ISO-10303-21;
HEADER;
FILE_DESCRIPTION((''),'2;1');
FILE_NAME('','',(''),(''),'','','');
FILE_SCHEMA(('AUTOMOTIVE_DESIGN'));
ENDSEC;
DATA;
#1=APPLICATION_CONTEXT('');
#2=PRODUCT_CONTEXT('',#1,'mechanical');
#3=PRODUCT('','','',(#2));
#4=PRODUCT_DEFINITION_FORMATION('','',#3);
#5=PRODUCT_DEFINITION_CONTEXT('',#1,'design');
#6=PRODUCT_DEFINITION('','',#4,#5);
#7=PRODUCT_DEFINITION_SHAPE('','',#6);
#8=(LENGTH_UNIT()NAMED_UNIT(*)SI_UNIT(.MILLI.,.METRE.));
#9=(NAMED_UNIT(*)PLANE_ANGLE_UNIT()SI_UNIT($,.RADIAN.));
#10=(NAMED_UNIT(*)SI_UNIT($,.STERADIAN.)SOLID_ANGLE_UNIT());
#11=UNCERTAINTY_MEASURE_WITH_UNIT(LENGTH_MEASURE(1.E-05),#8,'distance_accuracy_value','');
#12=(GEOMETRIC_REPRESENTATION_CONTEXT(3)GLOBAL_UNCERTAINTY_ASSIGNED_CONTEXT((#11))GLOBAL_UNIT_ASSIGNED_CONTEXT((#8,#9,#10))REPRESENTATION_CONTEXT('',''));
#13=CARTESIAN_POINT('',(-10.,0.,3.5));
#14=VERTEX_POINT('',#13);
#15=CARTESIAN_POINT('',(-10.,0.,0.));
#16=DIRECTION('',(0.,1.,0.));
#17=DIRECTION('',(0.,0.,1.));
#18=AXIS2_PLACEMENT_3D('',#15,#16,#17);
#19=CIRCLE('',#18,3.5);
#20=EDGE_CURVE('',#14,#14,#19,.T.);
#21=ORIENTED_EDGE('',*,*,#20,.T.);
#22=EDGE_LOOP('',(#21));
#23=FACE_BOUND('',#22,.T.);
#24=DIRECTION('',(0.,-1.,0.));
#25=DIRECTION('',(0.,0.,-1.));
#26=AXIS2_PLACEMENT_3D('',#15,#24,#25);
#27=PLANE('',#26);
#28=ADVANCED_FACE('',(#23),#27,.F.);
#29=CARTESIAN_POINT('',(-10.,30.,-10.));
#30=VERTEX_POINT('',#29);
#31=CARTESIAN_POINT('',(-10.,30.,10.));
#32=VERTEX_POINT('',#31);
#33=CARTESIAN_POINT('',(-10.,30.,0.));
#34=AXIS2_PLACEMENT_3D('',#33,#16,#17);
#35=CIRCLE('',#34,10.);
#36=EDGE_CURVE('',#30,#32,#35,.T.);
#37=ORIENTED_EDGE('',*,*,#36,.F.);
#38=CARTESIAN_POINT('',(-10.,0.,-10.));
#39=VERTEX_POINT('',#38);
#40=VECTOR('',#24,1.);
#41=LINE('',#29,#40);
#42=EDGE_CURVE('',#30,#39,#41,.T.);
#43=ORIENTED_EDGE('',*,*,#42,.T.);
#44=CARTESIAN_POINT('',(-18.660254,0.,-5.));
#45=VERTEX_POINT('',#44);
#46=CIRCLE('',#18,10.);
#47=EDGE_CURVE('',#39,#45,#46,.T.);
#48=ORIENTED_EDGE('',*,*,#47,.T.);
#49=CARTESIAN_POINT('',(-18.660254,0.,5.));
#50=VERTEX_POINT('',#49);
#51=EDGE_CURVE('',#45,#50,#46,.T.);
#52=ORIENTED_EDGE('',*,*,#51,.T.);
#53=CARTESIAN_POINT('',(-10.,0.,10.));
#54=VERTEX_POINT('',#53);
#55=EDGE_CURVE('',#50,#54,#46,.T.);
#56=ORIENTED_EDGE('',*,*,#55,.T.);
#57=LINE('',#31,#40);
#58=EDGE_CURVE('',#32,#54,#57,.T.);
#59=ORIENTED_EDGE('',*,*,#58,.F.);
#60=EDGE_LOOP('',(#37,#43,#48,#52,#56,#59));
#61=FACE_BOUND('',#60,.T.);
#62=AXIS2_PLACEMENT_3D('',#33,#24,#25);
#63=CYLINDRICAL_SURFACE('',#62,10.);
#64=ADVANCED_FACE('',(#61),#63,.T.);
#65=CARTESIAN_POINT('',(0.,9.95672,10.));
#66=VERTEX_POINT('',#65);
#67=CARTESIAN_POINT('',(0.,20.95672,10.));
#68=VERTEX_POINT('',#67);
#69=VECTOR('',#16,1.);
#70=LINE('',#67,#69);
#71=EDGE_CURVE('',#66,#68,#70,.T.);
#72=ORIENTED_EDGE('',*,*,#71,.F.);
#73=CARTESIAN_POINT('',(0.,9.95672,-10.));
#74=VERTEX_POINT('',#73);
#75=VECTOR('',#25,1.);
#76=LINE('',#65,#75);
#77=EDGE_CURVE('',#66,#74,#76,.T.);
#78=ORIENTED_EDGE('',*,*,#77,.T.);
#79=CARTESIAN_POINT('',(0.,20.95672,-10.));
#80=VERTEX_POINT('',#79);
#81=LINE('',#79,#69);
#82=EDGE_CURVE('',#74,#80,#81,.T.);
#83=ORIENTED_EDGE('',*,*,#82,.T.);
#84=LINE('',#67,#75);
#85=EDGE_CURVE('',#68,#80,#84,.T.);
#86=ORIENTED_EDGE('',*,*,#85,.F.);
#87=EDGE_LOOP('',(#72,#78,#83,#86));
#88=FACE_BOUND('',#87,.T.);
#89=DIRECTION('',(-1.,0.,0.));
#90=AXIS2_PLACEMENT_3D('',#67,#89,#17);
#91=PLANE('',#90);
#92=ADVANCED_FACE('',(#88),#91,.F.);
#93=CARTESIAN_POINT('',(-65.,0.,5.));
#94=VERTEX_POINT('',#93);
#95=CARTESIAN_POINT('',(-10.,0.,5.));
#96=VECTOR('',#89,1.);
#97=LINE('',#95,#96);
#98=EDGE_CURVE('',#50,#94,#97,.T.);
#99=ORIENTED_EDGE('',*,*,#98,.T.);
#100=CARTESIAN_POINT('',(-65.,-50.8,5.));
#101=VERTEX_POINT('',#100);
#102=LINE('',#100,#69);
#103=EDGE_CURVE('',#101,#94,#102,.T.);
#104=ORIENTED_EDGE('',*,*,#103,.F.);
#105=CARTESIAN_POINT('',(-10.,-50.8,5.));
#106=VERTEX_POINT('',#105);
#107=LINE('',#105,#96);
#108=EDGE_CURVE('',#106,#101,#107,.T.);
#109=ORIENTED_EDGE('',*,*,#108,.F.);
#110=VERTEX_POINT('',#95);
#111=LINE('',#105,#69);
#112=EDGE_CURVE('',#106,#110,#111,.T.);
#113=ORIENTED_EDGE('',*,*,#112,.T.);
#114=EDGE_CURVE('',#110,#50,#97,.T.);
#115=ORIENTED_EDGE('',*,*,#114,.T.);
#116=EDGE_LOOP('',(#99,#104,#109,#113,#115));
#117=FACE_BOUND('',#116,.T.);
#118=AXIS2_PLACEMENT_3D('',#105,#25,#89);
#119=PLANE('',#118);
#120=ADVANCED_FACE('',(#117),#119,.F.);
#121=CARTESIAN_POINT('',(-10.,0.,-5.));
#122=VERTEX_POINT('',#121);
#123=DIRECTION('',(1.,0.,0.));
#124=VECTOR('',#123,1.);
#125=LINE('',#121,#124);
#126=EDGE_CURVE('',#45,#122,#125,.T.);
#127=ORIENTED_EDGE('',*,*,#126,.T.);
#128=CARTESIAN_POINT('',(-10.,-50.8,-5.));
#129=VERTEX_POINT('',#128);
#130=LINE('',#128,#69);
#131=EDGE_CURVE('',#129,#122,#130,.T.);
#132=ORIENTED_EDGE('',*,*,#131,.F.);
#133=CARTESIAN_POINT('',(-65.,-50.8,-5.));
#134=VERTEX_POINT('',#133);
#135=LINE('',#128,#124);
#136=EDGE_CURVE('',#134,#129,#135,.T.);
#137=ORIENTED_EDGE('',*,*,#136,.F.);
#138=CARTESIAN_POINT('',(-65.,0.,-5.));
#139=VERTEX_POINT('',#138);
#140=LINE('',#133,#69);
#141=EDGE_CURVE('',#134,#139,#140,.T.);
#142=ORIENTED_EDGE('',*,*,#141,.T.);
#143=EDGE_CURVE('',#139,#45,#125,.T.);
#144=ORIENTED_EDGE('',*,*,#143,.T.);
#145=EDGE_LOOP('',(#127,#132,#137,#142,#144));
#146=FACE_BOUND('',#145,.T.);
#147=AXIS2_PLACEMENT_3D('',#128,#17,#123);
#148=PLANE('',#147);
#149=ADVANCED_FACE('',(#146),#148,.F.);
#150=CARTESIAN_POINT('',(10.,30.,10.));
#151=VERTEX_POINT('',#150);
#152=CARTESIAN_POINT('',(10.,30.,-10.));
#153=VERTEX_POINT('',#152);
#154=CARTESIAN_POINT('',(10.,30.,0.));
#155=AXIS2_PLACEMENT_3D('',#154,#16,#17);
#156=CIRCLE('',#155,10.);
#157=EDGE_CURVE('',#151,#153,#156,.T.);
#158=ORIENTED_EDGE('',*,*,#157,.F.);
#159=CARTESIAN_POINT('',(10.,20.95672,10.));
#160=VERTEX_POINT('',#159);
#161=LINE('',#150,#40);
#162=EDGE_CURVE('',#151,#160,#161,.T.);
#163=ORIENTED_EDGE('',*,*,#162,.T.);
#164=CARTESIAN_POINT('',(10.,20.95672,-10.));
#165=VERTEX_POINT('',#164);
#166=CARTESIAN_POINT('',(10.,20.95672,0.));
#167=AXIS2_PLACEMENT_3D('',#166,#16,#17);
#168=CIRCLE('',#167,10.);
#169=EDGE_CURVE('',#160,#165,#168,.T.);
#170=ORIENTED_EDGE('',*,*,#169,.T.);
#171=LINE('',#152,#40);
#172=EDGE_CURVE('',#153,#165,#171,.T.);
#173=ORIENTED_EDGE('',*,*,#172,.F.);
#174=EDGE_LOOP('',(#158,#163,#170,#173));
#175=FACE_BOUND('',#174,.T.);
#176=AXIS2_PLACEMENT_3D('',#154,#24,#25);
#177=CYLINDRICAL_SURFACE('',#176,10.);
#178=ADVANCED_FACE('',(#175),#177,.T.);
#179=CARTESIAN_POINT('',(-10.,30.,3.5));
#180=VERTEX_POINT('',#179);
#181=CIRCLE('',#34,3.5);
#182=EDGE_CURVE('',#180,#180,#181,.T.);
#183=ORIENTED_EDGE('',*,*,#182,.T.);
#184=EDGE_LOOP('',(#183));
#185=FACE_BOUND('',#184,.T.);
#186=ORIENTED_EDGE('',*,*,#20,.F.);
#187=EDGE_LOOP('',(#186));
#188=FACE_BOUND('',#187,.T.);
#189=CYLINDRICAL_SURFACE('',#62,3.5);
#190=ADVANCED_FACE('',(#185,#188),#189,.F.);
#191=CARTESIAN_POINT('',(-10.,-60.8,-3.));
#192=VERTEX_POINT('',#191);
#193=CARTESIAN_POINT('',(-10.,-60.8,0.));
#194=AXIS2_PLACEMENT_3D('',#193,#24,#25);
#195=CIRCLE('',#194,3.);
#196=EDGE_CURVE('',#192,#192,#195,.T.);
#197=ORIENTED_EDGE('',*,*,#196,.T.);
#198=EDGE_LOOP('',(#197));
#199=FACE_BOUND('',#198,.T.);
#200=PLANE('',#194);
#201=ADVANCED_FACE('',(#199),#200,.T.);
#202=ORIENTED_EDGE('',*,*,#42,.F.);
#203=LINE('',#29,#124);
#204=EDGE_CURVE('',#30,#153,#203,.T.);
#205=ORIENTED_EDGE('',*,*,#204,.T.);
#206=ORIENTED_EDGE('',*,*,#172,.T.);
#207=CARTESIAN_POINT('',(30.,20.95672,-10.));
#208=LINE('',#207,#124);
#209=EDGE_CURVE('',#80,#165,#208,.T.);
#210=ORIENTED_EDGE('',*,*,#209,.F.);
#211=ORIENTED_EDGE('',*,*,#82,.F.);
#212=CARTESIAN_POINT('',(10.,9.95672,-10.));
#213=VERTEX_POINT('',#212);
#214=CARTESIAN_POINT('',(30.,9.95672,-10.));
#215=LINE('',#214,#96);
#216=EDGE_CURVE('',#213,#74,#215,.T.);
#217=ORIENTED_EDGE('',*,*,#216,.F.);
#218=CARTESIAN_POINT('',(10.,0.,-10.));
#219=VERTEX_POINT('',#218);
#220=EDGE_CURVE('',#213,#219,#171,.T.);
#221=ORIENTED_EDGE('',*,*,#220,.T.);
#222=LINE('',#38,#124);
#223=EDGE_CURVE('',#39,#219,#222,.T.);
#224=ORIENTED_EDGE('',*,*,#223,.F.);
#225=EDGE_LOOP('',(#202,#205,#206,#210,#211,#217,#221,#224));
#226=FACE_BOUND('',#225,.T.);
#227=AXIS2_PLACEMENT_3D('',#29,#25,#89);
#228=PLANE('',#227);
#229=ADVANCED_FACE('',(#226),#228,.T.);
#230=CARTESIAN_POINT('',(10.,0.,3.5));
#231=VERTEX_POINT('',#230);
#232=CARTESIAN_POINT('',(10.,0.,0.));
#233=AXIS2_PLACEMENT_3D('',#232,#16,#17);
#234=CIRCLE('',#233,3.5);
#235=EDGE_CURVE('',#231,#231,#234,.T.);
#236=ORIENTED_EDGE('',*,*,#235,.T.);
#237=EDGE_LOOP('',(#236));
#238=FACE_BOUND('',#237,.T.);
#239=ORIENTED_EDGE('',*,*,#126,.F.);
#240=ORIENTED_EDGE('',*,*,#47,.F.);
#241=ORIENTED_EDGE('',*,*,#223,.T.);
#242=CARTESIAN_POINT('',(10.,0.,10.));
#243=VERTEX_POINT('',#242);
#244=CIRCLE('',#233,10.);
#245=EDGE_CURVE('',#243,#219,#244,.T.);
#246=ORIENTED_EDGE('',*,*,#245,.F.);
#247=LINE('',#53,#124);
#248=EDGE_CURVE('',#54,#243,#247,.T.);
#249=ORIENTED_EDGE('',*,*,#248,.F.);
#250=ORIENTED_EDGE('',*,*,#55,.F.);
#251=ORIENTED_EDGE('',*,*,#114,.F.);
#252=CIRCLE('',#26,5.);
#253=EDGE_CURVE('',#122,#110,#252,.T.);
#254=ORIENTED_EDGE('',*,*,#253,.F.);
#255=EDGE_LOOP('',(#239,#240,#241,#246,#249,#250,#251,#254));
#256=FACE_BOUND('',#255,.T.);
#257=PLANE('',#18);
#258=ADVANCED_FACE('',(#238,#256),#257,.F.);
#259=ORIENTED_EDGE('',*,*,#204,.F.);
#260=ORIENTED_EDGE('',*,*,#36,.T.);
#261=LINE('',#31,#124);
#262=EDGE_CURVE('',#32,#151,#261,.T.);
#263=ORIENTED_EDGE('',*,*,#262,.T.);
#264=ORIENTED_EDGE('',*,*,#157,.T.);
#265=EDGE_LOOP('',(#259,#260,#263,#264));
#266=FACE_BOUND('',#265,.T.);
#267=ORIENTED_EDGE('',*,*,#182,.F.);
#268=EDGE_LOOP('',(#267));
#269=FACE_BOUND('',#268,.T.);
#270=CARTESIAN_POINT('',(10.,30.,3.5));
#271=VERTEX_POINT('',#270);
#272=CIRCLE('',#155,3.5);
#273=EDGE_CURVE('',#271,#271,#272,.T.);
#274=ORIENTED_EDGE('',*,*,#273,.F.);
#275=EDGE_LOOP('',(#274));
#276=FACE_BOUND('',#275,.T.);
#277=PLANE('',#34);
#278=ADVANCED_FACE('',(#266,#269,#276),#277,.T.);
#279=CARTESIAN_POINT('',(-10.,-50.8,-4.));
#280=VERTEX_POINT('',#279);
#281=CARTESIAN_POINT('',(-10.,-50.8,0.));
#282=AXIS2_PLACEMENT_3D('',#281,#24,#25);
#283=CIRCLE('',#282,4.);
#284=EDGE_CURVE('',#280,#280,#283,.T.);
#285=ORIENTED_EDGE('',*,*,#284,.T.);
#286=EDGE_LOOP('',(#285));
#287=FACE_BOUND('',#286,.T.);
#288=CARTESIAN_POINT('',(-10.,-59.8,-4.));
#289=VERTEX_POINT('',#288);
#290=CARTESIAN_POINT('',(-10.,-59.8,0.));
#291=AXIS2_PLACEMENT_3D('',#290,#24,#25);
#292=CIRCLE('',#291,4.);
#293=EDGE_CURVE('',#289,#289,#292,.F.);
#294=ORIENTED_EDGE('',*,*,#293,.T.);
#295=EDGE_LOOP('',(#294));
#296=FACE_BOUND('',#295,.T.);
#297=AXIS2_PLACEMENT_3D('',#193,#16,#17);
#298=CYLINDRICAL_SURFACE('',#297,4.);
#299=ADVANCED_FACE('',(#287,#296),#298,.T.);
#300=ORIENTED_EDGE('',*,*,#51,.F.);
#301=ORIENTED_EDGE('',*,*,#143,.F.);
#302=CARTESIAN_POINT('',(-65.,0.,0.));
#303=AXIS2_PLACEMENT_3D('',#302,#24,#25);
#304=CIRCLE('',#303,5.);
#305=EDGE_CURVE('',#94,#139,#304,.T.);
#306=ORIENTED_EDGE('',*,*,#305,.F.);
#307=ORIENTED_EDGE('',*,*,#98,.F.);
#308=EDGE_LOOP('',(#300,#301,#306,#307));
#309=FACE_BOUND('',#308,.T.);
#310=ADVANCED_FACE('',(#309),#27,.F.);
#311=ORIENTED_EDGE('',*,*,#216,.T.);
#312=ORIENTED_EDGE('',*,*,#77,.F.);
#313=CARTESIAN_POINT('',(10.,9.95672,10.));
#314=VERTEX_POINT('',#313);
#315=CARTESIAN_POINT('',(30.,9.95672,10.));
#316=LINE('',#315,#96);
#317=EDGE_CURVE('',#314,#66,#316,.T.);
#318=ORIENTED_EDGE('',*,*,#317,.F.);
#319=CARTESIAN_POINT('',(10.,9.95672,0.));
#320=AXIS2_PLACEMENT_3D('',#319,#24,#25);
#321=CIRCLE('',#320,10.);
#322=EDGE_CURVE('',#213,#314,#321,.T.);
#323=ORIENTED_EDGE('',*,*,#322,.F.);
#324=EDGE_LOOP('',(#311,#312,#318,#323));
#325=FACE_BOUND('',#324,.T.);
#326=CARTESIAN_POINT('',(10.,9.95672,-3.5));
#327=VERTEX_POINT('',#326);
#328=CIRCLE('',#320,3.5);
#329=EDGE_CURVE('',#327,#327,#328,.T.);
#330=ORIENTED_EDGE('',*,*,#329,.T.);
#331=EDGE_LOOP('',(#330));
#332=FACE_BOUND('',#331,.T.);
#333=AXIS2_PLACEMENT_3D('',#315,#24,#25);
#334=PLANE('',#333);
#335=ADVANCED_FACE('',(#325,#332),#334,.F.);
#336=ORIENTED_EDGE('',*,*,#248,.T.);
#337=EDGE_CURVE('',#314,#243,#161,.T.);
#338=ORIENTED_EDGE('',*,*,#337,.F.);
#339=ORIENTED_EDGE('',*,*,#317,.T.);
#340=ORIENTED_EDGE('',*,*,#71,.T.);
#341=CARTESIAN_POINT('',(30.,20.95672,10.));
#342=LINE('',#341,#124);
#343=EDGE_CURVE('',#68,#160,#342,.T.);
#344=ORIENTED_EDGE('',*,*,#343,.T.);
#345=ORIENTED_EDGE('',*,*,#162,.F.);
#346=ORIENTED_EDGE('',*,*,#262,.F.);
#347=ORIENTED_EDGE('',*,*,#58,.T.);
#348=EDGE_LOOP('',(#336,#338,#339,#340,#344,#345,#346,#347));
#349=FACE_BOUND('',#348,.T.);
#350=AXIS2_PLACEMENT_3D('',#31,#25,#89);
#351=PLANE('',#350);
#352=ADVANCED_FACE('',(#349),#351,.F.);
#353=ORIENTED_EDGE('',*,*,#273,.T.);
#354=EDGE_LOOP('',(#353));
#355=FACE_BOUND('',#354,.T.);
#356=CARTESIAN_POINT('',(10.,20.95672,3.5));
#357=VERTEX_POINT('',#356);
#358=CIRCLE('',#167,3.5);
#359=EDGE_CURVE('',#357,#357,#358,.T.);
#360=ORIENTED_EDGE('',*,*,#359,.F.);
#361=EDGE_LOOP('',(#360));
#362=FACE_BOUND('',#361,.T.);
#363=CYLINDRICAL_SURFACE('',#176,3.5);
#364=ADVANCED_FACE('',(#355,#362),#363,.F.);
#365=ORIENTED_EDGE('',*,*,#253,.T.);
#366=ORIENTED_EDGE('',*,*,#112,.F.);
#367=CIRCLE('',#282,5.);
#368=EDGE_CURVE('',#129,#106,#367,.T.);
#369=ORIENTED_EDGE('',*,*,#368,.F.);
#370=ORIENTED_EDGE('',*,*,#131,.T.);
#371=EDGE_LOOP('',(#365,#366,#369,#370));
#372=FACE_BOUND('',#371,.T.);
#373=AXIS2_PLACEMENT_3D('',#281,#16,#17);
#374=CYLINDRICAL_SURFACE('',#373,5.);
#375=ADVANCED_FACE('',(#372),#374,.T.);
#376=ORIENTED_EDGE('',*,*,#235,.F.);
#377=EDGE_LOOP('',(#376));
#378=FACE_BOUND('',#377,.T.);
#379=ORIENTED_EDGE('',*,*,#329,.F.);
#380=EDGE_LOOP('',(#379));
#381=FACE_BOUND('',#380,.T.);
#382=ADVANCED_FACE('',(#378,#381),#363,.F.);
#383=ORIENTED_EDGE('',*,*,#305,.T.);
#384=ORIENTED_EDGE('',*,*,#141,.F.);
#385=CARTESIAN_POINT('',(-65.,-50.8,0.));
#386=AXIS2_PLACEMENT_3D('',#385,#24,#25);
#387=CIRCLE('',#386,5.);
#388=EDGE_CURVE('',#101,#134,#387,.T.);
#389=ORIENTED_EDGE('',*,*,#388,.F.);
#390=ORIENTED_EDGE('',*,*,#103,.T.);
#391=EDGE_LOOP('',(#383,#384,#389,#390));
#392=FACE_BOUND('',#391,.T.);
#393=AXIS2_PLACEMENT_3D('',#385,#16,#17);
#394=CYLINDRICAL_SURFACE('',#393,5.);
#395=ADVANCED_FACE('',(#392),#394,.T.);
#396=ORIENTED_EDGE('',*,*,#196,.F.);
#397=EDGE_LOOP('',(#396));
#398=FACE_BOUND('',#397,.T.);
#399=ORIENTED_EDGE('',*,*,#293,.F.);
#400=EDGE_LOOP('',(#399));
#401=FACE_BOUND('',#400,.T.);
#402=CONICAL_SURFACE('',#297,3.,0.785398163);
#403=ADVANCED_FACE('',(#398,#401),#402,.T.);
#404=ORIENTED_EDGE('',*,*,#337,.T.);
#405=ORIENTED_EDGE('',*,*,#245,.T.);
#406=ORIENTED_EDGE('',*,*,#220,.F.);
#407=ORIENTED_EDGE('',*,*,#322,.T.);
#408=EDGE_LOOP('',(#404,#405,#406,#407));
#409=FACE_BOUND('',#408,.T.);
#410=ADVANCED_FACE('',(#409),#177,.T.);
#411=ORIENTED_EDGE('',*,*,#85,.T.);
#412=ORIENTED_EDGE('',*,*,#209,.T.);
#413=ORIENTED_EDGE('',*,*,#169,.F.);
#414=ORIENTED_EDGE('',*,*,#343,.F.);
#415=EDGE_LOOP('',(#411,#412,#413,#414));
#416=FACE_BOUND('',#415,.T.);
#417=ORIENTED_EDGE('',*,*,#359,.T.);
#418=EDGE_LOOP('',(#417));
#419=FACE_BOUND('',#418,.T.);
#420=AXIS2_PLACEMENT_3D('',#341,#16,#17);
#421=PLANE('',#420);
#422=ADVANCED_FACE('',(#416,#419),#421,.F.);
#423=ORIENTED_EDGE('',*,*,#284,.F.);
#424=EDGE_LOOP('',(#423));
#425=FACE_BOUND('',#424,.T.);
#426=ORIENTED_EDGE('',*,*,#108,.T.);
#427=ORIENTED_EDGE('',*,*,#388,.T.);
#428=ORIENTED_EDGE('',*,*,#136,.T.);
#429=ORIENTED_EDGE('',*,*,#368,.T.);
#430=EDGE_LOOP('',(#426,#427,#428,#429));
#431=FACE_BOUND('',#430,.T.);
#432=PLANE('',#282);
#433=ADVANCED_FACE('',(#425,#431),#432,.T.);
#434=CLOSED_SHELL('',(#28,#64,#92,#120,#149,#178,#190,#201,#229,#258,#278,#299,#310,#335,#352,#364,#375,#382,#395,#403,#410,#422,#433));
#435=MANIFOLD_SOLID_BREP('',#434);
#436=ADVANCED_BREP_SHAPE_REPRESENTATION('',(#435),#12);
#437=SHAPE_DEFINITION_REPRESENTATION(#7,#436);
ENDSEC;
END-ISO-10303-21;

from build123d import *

# Parameters (mm, degrees)
SKETCH1_R           = 3.5
BOSS_EXTRUDE1_DEPTH = 30
BOSS_EXTRUDE2_DEPTH = 50.8
SKETCH3_R           = 4
BOSS_EXTRUDE3_DEPTH = 10
CHAMFER1_SIZE       = 1
SKETCH4_W           = 30
SKETCH4_H           = 11
CUT_EXTRUDE1_DEPTH  = 95.850619397


with BuildPart() as part:
    # Sketch1 → Boss-Extrude1 (new body)
    with BuildSketch(Plane(origin=(0, 0, 0), x_dir=(1, 0, 0), z_dir=(0, 1, 0))):
        with BuildLine():
            Line((-10, 10), (10, 10))
            ThreePointArc((10, 10), (20, 0), (10, -10))
            Line((10, -10), (-10, -10))
            ThreePointArc((-10, -10), (-20, 0), (-10, 10))
        make_face()
        with Locations(Location((-10, 0, 0), (0, 0, 270))):
            Circle(SKETCH1_R, mode=Mode.SUBTRACT)
        with Locations(Location((10, 0, 0), (0, 0, 270))):
            Circle(SKETCH1_R, mode=Mode.SUBTRACT)
    extrude(amount=BOSS_EXTRUDE1_DEPTH)

    # Sketch2 → Boss-Extrude2 (add)
    with BuildSketch(Plane.XZ):
        with BuildLine():
            Line((-10, -5), (-65, -5))
            ThreePointArc((-65, -5), (-70, 0), (-65, 5))
            Line((-65, 5), (-10, 5))
            ThreePointArc((-10, 5), (-5, 0), (-10, -5))
        make_face()
    extrude(amount=BOSS_EXTRUDE2_DEPTH)

    # Sketch3 → Boss-Extrude3 (add)
    with BuildSketch(Plane.XZ.offset(50.8)):
        with Locations(Location((-10, 0, 0), (0, 0, 270))):
            Circle(SKETCH3_R)
    extrude(amount=BOSS_EXTRUDE3_DEPTH)

    # Chamfer1
    chamfer1_edges = [part.edges().sort_by_distance(p)[0] for p in [
        (-10, -60.8, 4),
    ]]
    chamfer(chamfer1_edges, length=CHAMFER1_SIZE)

    # Sketch4 → Cut-Extrude1 (cut, through all)
    with BuildSketch(Plane(origin=(0, 0, -10), x_dir=(-1, 0, 0), z_dir=(0, 0, -1))):
        with Locations((-15, 15.456720209)):
            Rectangle(SKETCH4_W, SKETCH4_H)
    extrude(amount=-CUT_EXTRUDE1_DEPTH, mode=Mode.SUBTRACT)


solid = part.part
